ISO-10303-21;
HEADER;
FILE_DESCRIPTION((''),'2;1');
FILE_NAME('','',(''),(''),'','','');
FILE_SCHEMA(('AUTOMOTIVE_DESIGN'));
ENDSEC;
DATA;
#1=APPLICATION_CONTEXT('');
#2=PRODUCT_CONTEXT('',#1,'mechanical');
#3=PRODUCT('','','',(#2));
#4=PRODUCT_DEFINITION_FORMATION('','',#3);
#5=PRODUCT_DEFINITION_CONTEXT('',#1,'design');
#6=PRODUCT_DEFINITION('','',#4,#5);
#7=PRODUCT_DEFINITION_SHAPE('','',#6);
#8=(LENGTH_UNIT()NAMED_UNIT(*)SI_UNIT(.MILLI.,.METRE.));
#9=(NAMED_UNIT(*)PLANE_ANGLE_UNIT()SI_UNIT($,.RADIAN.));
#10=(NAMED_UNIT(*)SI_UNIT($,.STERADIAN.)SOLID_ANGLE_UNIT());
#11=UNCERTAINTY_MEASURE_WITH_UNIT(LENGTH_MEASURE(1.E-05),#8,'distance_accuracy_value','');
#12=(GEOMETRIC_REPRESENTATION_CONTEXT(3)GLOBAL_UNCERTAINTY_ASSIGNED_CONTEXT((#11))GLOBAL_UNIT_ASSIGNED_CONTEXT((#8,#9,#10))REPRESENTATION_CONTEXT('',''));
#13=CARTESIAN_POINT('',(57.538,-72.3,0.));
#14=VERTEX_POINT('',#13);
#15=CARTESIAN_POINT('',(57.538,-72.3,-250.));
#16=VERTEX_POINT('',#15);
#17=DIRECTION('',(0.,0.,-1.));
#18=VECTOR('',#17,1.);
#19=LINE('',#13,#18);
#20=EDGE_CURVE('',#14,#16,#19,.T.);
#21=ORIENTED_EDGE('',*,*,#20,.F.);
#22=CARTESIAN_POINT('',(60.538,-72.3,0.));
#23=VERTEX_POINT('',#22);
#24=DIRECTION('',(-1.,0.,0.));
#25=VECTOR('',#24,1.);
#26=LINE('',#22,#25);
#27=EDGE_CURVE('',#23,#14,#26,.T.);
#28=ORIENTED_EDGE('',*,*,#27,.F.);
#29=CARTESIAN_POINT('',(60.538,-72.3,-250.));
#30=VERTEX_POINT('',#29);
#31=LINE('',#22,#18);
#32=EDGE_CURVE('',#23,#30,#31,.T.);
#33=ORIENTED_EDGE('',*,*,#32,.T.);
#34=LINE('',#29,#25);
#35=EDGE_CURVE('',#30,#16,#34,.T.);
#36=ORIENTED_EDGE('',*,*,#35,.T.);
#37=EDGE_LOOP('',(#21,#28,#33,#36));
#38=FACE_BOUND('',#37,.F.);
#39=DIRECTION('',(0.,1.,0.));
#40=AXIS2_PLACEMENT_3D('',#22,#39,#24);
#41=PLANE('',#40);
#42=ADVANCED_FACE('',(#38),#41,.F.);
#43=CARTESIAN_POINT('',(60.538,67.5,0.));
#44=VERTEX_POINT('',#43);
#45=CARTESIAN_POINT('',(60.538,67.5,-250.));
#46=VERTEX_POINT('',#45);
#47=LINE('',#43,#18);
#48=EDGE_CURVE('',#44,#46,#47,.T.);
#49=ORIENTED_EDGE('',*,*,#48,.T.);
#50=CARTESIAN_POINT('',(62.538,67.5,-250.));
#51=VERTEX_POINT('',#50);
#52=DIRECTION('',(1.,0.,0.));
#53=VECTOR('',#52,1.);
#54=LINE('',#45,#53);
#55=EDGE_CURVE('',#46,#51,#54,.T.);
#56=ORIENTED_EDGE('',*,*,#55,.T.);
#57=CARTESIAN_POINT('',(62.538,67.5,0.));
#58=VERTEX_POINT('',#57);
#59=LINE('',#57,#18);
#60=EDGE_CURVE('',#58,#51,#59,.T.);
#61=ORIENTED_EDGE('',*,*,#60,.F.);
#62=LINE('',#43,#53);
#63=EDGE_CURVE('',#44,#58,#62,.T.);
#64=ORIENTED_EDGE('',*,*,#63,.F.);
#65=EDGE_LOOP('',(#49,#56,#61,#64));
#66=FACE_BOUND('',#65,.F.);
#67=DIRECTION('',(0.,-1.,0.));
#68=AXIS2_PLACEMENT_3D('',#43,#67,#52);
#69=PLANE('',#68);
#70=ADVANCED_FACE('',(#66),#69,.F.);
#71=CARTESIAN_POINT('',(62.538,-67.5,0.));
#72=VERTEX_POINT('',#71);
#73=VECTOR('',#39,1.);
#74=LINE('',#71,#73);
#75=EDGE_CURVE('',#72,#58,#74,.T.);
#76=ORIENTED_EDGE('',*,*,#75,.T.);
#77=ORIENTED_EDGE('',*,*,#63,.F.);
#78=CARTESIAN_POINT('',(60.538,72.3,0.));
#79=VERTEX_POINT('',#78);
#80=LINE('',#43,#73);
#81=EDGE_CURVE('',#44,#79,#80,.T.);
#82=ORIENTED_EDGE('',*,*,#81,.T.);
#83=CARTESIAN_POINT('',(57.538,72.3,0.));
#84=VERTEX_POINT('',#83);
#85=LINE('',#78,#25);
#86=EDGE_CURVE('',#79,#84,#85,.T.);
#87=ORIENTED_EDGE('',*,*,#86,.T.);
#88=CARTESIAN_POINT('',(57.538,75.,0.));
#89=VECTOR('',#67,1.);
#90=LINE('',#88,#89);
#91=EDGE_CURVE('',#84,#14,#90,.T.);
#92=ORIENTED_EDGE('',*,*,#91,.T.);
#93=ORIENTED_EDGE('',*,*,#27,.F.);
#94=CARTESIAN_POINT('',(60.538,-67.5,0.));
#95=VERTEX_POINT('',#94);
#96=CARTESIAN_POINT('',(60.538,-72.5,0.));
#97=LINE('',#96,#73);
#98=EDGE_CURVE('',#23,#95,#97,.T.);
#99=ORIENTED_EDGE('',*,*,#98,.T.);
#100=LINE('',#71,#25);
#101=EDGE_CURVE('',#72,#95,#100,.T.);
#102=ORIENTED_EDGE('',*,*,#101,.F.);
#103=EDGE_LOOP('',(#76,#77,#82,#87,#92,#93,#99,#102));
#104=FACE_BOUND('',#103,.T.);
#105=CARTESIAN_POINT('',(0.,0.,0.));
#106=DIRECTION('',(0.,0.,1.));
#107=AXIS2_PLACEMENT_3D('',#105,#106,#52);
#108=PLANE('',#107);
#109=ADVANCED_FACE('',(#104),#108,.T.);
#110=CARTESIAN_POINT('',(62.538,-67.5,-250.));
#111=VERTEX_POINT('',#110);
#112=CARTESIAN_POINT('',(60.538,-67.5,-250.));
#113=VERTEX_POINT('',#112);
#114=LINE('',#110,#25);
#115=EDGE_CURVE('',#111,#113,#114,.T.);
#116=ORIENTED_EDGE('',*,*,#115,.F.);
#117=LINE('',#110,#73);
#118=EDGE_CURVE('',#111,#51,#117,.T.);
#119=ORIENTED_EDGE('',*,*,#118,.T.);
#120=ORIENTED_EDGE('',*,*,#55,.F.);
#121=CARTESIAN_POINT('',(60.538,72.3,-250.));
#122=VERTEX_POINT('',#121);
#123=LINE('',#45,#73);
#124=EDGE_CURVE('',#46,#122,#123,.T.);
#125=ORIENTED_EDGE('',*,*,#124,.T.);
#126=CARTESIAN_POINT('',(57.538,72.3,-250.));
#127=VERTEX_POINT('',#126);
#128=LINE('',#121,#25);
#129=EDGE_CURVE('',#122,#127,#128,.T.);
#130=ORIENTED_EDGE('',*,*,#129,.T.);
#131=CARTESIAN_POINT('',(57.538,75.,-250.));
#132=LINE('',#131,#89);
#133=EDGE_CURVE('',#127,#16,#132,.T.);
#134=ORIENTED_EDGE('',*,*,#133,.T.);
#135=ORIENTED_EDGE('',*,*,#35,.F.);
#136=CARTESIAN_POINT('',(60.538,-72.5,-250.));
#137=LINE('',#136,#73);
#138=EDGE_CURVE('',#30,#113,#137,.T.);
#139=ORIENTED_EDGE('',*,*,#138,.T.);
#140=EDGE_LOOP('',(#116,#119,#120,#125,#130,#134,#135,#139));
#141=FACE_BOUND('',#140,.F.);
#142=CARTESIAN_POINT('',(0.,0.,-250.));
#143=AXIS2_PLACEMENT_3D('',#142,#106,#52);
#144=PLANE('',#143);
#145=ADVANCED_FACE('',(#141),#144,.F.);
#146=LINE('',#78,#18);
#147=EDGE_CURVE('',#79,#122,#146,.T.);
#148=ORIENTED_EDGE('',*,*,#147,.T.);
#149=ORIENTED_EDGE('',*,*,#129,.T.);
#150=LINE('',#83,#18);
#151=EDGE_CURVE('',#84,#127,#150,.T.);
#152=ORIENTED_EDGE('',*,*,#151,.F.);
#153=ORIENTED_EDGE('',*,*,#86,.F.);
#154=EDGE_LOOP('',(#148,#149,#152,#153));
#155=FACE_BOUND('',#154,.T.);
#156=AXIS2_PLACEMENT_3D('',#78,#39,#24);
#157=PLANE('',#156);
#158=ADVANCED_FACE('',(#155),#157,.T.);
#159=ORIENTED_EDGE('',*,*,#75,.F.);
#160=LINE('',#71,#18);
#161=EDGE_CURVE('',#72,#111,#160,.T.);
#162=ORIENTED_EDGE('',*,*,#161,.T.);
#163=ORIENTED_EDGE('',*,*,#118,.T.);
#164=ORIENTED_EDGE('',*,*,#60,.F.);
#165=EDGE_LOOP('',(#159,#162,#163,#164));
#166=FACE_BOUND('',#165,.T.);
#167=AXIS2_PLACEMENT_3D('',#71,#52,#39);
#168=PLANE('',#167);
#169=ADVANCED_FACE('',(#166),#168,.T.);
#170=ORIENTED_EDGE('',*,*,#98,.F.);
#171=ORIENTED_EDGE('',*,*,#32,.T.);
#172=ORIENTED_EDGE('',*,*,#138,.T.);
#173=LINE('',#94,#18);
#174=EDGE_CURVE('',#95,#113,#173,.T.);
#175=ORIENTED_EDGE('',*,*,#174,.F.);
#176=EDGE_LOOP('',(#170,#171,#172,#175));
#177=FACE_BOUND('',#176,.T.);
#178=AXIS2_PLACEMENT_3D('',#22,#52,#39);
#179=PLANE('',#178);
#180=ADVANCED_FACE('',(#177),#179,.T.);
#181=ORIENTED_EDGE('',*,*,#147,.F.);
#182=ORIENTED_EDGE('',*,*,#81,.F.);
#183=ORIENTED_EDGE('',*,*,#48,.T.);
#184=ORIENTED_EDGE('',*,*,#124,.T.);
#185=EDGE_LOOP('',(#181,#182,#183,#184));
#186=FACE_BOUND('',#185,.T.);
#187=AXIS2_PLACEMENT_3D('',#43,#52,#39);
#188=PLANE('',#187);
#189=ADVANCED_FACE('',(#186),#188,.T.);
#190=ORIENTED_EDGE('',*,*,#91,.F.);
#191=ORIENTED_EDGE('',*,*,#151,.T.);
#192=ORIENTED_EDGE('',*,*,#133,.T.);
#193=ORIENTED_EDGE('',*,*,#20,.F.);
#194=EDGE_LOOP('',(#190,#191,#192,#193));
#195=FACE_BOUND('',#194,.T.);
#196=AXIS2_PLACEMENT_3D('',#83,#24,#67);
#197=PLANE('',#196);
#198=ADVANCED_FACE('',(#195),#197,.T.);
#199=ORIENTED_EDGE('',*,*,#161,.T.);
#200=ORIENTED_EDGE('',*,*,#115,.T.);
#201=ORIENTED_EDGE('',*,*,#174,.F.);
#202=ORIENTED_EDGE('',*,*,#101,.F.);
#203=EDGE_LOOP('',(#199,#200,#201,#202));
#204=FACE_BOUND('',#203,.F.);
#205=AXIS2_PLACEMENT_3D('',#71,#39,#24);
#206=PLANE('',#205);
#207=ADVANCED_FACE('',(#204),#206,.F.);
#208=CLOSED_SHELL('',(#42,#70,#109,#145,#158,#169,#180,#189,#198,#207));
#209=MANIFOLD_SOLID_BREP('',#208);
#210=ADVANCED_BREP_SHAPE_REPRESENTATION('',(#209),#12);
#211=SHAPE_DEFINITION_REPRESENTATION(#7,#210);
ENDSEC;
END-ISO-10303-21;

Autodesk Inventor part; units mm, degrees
ref_plane "YZ Plane" through (0, 0, 0) normal (1, 0, 0) x (0, 1, 0)
ref_plane "XZ Plane" through (0, 0, 0) normal (0, 1, 0) x (-1, 0, 0)
ref_plane "Work Plane1" through (0, 0, 0) normal (0, 0, 1) x (1, 0, 0)
sketch "Sketch1" plane through (0, 0, 0) normal (0, 0, 1) x (1, 0, 0)
  line L0 (62.538, -67.5) -> (62.538, 67.5) projected
  line L1 (57.538, 75) -> (57.538, -75) projected
  line L2 (60.538, 72.3) -> (57.538, 72.3) projected
  line L3 (60.538, 67.5) -> (60.538, 72.5) projected
  line L4 (60.538, -72.3) -> (57.538, -72.3) projected
  line L5 (60.538, -72.5) -> (60.538, -67.5) projected
  line L6 (62.538, -67.5) -> (60.538, -67.5) projected
  line L7 (57.538, 72.3) -> (60.538, 72.3)
  line L8 (60.538, 72.3) -> (60.538, -72.3)
  line L9 (60.538, -72.3) -> (57.538, -72.3)
  line L10 (57.538, -72.3) -> (57.538, 72.3)
  line L11 (62.538, -67.5) -> (60.538, -67.5)
  line L12 (60.538, -67.5) -> (60.538, 67.5)
  line L13 (60.538, 67.5) -> (62.538, 67.5)
  line L14 (62.538, 67.5) -> (62.538, -67.5)
  spline S0 degree 3 poles (88.3509, 80.1315) (86.4042, 80.1549) (83.4825, 80.1842) (78.158, 80.2283) (74.9959, 80.2506) (69.3132, 80.2873) (67.2613, 80.2982) (65.6092, 80.307) knots 0.050298 0.050298 0.050298 0.050298 4.412638 4.412638 8.294204 8.294204 12.536981 12.536981 12.536981 12.536981 projected
  point P0 (0, 0)
  point P1 (62.538, 67.5)
  point P2 (57.538, 72.3)
  point P3 (57.538, -72.3)
ref_plane "Work Plane2" through (-62.538, -75, -250) normal (0, 0, 1) x (1, 0, 0)
extrude "Extrusion1" add sketch "Sketch1" against normal up to surface (250 mm away)
equation "\"BendRadius\" = Thickness"
equation "\"BendReliefWidth\" = Thickness"
equation "\"BendReliefDepth\" = 0.5 * Thickness"
equation "\"CornerReliefSize\" = 4 * Thickness"
equation "\"MinimumRemnant\" = 2 * Thickness"
equation "\"TransitionRadius\" = BendRadius"
equation "\"JacobiRadiusSize\" = BendRadius"
equation "\"GapSize\" = Thickness"
equation "\"Thickness\" = 3.048"
properties part number "Lid1" material "Plastic, Opaque White"
